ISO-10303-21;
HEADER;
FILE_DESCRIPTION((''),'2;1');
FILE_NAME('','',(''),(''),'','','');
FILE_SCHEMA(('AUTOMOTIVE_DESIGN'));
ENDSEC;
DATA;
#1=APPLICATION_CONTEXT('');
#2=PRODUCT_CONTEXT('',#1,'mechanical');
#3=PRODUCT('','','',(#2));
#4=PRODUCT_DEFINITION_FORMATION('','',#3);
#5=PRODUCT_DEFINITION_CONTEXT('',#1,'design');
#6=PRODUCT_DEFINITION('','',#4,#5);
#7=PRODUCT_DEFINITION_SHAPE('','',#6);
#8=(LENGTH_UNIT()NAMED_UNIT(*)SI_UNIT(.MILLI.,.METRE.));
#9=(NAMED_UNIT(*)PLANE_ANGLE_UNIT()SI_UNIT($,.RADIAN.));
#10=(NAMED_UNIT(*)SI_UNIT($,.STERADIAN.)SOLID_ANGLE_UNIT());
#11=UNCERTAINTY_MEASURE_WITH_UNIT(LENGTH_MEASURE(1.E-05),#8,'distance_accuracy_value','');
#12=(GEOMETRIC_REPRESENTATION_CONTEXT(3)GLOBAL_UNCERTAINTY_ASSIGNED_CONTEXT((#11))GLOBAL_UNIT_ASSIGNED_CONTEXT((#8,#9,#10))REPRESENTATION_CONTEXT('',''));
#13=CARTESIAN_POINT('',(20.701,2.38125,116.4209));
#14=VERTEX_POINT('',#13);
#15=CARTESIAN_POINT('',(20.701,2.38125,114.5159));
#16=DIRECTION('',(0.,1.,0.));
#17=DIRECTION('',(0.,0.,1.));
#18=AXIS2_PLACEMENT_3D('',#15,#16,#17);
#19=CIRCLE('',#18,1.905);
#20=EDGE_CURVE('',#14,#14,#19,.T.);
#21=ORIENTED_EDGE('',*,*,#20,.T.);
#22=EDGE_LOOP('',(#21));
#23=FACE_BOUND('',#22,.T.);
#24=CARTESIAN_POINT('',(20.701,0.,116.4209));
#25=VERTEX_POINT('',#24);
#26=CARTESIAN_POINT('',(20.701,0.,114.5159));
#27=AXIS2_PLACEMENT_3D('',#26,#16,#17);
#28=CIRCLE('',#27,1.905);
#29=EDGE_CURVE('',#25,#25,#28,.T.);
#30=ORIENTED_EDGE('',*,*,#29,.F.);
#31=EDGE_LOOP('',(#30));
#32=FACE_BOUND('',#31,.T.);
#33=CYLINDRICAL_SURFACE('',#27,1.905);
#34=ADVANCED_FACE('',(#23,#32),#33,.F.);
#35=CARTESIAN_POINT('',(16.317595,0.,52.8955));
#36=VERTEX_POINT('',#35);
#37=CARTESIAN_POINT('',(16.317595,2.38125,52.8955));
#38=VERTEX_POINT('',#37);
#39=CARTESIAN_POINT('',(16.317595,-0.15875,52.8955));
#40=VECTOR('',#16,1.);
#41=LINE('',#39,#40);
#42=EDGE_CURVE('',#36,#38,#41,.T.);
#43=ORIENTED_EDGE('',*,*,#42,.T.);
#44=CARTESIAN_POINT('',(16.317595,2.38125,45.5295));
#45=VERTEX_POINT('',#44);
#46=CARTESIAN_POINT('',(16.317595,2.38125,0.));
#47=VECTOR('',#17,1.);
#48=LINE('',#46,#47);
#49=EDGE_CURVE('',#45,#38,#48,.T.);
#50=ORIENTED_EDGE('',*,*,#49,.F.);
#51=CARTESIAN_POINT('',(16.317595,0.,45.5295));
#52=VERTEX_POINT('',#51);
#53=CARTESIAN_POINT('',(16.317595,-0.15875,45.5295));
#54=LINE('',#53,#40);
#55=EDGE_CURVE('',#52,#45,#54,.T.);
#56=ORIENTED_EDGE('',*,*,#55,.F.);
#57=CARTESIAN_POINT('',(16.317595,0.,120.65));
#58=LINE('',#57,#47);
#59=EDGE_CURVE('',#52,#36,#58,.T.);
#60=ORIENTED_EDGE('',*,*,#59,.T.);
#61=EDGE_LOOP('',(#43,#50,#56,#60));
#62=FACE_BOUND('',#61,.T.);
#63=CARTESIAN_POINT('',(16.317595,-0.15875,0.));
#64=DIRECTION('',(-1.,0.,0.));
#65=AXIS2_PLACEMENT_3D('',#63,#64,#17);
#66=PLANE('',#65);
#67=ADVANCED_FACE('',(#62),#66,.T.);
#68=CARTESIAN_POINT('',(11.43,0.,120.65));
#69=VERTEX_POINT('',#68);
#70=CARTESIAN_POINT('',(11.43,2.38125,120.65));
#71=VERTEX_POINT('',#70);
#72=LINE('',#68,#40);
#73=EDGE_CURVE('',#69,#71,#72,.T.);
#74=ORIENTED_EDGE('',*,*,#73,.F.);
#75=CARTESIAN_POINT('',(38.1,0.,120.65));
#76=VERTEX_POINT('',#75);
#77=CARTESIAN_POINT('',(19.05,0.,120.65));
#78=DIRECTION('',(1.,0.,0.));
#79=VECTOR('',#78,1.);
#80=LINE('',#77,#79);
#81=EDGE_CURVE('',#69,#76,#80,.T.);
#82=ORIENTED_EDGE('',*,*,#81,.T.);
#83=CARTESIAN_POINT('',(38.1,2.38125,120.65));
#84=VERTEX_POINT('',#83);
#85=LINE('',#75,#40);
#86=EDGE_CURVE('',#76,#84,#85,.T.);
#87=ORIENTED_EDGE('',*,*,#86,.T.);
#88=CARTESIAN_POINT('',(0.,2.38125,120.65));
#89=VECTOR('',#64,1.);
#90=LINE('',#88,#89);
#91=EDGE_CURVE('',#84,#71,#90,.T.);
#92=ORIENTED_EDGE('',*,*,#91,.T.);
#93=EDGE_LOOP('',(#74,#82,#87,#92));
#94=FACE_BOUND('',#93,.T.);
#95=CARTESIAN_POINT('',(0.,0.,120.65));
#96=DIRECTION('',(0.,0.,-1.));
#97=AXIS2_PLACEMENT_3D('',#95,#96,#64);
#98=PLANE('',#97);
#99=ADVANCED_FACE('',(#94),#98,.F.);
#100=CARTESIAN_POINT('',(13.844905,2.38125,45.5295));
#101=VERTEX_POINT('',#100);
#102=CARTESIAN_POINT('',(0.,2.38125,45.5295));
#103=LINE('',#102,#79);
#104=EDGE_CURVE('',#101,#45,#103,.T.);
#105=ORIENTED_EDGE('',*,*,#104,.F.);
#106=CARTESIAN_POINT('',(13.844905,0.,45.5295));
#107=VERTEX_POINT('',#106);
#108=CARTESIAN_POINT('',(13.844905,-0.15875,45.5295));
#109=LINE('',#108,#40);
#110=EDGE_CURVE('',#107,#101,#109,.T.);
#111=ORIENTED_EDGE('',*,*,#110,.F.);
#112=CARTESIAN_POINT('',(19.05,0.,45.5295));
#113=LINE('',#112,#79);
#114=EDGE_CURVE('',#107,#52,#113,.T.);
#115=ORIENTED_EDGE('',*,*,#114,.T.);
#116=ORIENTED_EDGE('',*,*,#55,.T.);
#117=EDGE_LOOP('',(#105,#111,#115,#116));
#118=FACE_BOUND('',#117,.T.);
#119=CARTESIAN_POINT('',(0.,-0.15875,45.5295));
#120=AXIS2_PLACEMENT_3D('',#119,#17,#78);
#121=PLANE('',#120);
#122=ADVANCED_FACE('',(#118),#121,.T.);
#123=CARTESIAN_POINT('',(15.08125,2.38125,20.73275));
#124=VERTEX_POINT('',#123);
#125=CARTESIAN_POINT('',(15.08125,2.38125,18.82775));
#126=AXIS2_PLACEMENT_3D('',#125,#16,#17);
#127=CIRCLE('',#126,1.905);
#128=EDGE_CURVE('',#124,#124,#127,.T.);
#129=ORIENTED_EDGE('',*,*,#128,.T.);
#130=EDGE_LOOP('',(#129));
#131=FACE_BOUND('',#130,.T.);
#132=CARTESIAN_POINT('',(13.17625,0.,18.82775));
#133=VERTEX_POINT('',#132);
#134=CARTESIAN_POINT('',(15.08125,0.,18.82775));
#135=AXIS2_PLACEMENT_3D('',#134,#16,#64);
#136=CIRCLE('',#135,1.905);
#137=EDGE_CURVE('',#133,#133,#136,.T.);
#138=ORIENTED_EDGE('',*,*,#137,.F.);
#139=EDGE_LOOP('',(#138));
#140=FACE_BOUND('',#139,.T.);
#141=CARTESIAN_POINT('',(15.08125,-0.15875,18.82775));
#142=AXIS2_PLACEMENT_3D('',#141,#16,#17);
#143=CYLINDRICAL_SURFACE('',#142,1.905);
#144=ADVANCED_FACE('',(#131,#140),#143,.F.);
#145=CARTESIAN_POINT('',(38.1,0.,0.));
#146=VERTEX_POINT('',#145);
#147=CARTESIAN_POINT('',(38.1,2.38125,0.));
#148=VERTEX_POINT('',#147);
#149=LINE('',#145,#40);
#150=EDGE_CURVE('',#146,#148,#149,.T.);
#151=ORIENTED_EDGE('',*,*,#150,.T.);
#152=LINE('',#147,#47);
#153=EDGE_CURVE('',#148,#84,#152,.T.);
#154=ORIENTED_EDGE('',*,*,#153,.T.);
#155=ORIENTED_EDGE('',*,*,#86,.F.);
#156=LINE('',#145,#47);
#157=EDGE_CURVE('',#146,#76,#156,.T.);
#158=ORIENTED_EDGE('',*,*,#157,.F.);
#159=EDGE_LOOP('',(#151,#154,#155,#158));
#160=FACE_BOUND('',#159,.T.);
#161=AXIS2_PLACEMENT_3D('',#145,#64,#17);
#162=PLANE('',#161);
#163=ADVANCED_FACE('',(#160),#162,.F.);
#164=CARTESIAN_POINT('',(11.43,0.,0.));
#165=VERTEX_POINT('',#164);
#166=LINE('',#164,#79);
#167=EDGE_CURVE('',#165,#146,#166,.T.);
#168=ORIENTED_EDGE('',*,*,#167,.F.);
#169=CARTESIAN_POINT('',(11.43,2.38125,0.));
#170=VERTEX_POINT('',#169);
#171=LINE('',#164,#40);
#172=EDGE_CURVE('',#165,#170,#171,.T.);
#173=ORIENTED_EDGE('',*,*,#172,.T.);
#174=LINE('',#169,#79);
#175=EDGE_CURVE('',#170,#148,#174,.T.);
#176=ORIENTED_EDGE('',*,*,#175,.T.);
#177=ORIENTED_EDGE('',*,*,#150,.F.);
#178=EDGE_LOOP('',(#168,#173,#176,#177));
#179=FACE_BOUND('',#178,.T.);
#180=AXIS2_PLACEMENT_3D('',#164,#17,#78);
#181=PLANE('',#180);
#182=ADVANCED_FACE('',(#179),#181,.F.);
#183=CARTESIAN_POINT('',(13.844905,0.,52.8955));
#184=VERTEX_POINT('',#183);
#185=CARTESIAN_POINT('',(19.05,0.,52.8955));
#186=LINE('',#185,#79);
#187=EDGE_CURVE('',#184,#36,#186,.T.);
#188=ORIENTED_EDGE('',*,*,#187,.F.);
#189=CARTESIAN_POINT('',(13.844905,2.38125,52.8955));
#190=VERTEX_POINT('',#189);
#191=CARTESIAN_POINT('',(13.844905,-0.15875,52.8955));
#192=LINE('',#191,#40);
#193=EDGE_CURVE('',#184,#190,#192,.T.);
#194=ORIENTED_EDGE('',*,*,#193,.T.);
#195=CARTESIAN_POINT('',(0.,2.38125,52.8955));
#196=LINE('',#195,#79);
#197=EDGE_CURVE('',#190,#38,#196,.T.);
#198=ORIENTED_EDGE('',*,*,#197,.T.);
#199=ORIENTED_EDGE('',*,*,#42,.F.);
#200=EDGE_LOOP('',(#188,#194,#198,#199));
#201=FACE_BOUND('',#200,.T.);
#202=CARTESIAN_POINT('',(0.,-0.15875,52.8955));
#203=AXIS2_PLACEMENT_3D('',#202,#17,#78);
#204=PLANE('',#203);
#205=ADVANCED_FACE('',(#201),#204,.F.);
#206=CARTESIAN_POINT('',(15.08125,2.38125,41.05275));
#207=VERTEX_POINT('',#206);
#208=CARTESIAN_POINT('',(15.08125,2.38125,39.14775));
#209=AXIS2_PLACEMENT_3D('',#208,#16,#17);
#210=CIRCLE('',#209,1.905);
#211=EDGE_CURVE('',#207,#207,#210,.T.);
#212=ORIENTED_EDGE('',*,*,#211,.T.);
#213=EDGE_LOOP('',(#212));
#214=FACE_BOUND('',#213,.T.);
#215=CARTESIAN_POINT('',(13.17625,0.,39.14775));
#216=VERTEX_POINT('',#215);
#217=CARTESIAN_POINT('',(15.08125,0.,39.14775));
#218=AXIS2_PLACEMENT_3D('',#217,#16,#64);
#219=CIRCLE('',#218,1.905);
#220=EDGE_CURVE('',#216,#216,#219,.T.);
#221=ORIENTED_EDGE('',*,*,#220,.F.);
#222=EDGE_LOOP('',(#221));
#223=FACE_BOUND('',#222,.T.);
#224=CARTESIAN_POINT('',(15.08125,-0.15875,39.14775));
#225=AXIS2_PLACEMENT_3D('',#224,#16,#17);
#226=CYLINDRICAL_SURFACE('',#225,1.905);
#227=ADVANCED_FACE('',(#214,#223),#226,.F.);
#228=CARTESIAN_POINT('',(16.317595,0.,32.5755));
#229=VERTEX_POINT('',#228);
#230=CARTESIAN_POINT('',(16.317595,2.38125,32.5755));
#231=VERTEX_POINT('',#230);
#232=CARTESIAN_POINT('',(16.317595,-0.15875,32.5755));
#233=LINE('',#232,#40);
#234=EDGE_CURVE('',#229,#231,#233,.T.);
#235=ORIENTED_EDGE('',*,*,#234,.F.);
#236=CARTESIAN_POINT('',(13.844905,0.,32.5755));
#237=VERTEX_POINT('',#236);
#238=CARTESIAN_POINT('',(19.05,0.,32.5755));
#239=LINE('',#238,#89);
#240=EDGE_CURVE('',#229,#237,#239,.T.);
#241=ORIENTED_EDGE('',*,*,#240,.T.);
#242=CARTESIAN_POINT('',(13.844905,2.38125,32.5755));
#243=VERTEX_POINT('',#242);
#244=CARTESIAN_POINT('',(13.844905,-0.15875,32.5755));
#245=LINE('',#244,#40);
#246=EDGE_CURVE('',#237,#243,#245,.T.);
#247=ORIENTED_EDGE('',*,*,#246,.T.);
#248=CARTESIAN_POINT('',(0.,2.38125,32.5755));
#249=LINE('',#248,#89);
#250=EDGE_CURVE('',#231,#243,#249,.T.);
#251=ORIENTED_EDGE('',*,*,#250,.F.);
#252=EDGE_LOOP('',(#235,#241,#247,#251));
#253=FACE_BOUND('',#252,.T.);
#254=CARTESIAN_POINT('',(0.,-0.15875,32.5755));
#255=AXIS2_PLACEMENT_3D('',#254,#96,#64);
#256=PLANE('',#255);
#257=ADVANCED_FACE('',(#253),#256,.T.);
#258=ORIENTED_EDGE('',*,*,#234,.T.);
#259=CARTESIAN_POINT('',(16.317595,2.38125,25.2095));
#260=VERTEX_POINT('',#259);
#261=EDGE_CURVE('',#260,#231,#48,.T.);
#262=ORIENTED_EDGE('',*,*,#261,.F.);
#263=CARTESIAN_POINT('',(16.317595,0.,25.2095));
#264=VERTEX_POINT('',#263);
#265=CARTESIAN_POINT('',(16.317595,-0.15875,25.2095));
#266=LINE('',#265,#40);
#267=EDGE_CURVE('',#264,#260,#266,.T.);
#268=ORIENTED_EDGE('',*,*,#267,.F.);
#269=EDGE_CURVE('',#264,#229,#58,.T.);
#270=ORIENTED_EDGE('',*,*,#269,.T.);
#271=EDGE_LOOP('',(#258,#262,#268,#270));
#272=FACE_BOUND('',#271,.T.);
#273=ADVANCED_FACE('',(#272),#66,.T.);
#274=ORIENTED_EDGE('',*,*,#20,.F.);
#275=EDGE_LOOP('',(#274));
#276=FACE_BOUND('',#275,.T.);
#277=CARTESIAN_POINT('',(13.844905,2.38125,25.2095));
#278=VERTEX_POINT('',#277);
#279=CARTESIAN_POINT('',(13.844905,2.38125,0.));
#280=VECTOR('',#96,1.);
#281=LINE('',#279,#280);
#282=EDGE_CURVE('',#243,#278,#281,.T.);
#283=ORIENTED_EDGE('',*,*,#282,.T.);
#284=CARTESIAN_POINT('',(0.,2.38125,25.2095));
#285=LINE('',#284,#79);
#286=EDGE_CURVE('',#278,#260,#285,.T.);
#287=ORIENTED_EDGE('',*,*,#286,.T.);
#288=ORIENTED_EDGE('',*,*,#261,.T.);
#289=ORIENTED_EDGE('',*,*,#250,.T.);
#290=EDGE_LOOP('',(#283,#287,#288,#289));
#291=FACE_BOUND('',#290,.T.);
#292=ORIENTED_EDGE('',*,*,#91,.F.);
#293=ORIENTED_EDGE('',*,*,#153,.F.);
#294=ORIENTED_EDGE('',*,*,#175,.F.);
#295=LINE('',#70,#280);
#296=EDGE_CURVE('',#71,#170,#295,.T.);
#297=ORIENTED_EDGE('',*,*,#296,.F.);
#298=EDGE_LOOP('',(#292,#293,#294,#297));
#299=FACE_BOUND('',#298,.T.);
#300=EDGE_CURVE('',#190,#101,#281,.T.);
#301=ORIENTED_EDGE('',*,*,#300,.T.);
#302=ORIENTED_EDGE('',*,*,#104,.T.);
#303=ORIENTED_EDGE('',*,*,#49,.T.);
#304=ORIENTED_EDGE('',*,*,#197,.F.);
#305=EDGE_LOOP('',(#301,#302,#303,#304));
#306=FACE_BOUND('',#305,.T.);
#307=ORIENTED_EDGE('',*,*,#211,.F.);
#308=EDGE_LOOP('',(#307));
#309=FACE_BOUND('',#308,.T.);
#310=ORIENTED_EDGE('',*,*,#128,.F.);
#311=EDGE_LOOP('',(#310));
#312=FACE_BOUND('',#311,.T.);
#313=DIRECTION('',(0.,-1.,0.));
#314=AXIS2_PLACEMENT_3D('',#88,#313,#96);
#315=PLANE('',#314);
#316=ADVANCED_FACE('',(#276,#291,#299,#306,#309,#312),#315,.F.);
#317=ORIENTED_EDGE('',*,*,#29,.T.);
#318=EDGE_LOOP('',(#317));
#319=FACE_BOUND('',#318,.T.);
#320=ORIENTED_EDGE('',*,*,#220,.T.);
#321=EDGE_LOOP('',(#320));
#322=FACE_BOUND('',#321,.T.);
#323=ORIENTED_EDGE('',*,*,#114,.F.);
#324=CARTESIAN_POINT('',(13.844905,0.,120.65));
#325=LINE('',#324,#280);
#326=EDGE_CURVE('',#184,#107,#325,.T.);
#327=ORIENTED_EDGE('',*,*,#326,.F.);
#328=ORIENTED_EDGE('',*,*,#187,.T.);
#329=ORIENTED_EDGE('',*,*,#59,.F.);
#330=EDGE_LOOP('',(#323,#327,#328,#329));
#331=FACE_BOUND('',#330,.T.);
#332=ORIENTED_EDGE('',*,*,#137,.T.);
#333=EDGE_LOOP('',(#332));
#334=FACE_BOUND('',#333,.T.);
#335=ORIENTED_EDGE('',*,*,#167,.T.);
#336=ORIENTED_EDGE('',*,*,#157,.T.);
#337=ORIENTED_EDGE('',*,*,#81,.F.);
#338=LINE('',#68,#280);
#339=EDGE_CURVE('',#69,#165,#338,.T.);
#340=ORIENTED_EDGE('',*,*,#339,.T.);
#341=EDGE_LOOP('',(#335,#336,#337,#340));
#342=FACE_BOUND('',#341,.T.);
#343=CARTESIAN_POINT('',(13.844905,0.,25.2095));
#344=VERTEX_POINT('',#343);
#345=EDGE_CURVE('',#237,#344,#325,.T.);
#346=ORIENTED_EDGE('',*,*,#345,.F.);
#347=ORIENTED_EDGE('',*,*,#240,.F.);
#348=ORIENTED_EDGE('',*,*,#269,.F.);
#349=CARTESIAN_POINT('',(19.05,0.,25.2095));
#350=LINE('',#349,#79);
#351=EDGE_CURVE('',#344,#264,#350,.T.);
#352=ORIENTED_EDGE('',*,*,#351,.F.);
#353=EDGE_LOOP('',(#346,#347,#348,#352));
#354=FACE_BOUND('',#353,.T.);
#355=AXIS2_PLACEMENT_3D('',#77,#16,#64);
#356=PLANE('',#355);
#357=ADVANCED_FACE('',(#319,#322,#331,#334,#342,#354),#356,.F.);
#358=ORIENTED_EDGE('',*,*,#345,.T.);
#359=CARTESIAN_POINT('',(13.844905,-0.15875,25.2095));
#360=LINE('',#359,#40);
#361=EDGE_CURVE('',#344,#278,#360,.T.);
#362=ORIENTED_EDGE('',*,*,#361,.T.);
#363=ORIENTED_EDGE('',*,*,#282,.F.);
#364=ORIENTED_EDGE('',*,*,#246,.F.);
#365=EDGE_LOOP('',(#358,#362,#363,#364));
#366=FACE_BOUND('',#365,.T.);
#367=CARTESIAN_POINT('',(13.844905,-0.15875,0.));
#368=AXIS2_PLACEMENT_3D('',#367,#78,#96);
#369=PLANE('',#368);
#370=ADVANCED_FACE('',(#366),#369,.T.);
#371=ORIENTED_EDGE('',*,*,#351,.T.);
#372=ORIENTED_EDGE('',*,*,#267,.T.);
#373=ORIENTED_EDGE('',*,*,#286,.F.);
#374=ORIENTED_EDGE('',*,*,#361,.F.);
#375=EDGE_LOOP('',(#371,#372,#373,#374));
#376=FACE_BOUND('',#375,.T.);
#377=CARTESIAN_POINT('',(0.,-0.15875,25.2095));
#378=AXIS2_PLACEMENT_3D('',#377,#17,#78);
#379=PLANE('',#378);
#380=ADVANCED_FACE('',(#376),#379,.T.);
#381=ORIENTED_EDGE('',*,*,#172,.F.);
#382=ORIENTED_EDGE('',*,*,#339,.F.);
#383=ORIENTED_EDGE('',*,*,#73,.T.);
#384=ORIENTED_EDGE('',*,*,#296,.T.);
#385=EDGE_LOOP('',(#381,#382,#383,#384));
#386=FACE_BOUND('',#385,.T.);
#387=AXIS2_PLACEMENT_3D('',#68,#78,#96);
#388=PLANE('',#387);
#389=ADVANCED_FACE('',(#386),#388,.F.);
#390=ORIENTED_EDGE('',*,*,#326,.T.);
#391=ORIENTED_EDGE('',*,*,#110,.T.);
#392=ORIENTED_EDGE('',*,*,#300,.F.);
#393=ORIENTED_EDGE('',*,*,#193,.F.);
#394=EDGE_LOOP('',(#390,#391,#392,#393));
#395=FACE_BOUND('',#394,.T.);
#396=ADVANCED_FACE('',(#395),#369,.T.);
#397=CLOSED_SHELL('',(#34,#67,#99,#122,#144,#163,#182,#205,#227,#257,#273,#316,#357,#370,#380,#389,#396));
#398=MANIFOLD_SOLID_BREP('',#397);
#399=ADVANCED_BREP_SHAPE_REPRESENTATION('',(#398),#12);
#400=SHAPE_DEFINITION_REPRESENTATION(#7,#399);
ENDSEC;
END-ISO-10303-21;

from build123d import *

# Parameters (mm, degrees)
SKETCH1_W           = 19.05
SKETCH1_H           = 2.38125
BOSS_EXTRUDE1_DEPTH = 120.65
SKETCH8_W           = 19.05
SKETCH8_H           = 120.65
BOSS_EXTRUDE3_DEPTH = 2.38125
SKETCH9_R           = 1.905
CUT_EXTRUDE5_DEPTH  = 3.38125
SKETCH5_R           = 1.905
CUT_EXTRUDE6_DEPTH  = 2.54
SKETCH10_W          = 38.1
SKETCH10_H          = 29.6545
BOSS_EXTRUDE4_DEPTH = 2.38125
SKETCH12_W          = 11.43
SKETCH12_H          = 150.3045
CUT_EXTRUDE8_DEPTH  = 3.38125
SKETCH13_W          = 26.67
SKETCH13_H          = 29.6545
CUT_EXTRUDE9_DEPTH  = 3.38125


with BuildPart() as part:
    # Sketch1 → Boss-Extrude1 (new body)
    with BuildSketch(Plane.XY):
        with Locations((9.525, 1.190625)):
            Rectangle(SKETCH1_W, SKETCH1_H)
    extrude(amount=BOSS_EXTRUDE1_DEPTH)

    # Sketch8 → Boss-Extrude3 (add)
    with BuildSketch(Plane(origin=(0, 2.38125, 0), x_dir=(1, 0, 0), z_dir=(0, 1, 0))):
        with Locations((28.575, -60.325)):
            Rectangle(SKETCH8_W, SKETCH8_H)
    extrude(amount=-BOSS_EXTRUDE3_DEPTH)

    # Sketch9 → Cut-Extrude5 (cut, through all)
    with BuildSketch(Plane(origin=(0, 2.38125, 0), x_dir=(1, 0, 0), z_dir=(0, 1, 0))):
        with Locations((20.701, -114.5159)):
            Circle(SKETCH9_R)
    extrude(amount=-CUT_EXTRUDE5_DEPTH, mode=Mode.SUBTRACT)

    # Sketch5 → Cut-Extrude6 (cut)
    with BuildSketch(Plane(origin=(0, 2.38125, 0), x_dir=(1, 0, 0), z_dir=(0, 1, 0))):
        with Locations((15.08125, -39.14775)):
            Circle(SKETCH5_R)
        with Locations((15.08125, -18.82775)):
            Circle(SKETCH5_R)
        Polygon((16.317595, -28.98775), (16.317595, -32.5755), (15.08125, -32.5755), (13.844905, -32.5755), (13.844905, -25.2095), (16.317595, -25.2095), align=None)
        Polygon((15.08125, -52.8955), (16.317595, -52.8955), (16.317595, -45.5295), (13.844905, -45.5295), (13.844905, -52.8955), align=None)
    extrude(amount=-CUT_EXTRUDE6_DEPTH, mode=Mode.SUBTRACT)

    # Sketch10 → Boss-Extrude4 (add)
    with BuildSketch(Plane(origin=(0, 2.38125, 0), x_dir=(1, 0, 0), z_dir=(0, 1, 0))):
        with Locations((19.05, 14.82725)):
            Rectangle(SKETCH10_W, SKETCH10_H)
    extrude(amount=-BOSS_EXTRUDE4_DEPTH)

    # Sketch12 → Cut-Extrude8 (cut, through all)
    with BuildSketch(Plane(origin=(0, 2.38125, 0), x_dir=(1, 0, 0), z_dir=(0, 1, 0))):
        with Locations((5.715, -45.49775)):
            Rectangle(SKETCH12_W, SKETCH12_H)
    extrude(amount=-CUT_EXTRUDE8_DEPTH, mode=Mode.SUBTRACT)

    # Sketch13 → Cut-Extrude9 (cut, through all)
    with BuildSketch(Plane(origin=(0, 2.38125, 0), x_dir=(1, 0, 0), z_dir=(0, 1, 0))):
        with Locations((24.765, 14.82725)):
            Rectangle(SKETCH13_W, SKETCH13_H)
    extrude(amount=-CUT_EXTRUDE9_DEPTH, mode=Mode.SUBTRACT)


solid = part.part
